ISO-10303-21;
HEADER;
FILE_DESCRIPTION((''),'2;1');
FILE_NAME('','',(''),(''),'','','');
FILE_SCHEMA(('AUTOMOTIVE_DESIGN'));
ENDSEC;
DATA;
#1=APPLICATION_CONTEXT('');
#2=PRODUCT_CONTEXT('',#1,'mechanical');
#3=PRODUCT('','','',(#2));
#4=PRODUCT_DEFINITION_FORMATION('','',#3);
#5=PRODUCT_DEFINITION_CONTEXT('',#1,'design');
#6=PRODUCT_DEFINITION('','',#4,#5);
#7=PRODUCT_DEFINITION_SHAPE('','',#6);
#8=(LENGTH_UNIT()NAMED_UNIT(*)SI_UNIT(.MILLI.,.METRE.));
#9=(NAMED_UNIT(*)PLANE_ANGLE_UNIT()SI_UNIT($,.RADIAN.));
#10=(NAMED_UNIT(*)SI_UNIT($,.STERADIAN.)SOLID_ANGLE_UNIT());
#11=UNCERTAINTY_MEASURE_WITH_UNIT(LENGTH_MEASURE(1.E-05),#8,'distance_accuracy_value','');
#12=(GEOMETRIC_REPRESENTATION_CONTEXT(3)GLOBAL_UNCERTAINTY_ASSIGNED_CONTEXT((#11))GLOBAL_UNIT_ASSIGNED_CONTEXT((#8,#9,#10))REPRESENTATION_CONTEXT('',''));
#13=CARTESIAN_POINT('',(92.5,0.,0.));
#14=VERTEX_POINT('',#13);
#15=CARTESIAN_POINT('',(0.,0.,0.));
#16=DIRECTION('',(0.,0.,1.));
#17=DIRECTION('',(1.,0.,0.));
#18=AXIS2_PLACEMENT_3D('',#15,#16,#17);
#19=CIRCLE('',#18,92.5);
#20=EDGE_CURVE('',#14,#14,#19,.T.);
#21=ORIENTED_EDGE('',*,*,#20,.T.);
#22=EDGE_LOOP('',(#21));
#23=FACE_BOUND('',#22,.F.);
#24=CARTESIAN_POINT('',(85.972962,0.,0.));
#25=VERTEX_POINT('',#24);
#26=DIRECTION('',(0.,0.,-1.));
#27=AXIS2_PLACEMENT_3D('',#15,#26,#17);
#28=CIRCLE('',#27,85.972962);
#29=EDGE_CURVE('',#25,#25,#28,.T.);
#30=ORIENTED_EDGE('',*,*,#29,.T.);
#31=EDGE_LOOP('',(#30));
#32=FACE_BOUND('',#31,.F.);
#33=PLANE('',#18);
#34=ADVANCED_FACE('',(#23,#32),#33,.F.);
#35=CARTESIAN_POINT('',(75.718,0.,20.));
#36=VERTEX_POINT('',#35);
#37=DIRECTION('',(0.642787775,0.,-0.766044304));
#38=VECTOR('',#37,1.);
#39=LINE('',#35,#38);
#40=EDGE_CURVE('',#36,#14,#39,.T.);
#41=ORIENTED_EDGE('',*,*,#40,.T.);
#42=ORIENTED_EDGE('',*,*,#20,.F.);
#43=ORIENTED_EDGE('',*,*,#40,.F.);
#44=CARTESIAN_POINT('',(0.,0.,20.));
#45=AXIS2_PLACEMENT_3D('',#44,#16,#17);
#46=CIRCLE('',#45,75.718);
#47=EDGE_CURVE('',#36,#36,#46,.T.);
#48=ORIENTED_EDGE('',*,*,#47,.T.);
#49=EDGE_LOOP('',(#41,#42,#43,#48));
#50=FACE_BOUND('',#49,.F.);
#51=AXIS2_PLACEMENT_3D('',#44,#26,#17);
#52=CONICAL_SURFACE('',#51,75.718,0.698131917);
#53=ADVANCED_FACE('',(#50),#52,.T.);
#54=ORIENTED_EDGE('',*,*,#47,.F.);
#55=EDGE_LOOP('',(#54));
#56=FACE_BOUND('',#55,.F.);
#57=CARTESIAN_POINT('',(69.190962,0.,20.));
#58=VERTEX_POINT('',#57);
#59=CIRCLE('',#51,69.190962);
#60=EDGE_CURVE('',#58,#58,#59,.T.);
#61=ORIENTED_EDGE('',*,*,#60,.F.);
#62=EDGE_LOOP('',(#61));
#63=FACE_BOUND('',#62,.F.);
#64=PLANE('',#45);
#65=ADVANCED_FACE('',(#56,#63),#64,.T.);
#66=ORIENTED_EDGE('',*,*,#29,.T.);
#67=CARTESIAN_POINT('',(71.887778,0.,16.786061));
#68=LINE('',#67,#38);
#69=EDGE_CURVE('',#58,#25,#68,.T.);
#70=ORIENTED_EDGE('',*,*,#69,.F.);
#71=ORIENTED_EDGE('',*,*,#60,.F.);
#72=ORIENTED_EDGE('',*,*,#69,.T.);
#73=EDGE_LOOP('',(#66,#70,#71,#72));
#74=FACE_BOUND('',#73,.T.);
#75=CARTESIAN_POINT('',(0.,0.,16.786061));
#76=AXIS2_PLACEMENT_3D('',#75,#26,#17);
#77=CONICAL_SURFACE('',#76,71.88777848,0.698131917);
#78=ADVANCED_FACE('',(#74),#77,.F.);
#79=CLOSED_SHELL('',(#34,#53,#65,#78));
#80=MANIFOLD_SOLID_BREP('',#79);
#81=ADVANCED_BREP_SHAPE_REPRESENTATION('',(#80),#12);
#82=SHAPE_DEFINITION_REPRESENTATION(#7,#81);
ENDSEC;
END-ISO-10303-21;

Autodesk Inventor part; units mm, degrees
ref_plane "YZ Plane" through (0, 0, 0) normal (1, 0, 0) x (0, 1, 0)
ref_plane "XZ Plane" through (0, 0, 0) normal (0, 1, 0) x (-1, 0, 0)
ref_plane "XY Plane" through (0, 0, 0) normal (0, 0, 1) x (1, 0, 0)
sketch "Sketch1" plane through (0, 0, 0) normal (0, 1, 0) x (-1, 0, 0)
  line L0 (0, 0) -> (0, 20)
  line L1 (0, 20) -> (-75.718, 20)
  line L2 (-75.718, 20) -> (-92.5, 0)
  line L3 (-92.5, 0) -> (0, 0)
  dimension "d0" = 185
  dimension "d1" = 40
  dimension "d2" = 20
revolve "Revolution1" add sketch "Sketch1" angle 360 about axis through (0, 0, 0) along (0, 0, 1)
shell "Shell1" thickness 5 removed faces 2 at (29.4224, 22.5188, 0) at (-17.9688, 19.8766, 20)
equation "\"d1\" = angle"
equation "\"angle\" = 40deg"
properties part number "test-internal-cone-overhang" material "ABS Plastic"
